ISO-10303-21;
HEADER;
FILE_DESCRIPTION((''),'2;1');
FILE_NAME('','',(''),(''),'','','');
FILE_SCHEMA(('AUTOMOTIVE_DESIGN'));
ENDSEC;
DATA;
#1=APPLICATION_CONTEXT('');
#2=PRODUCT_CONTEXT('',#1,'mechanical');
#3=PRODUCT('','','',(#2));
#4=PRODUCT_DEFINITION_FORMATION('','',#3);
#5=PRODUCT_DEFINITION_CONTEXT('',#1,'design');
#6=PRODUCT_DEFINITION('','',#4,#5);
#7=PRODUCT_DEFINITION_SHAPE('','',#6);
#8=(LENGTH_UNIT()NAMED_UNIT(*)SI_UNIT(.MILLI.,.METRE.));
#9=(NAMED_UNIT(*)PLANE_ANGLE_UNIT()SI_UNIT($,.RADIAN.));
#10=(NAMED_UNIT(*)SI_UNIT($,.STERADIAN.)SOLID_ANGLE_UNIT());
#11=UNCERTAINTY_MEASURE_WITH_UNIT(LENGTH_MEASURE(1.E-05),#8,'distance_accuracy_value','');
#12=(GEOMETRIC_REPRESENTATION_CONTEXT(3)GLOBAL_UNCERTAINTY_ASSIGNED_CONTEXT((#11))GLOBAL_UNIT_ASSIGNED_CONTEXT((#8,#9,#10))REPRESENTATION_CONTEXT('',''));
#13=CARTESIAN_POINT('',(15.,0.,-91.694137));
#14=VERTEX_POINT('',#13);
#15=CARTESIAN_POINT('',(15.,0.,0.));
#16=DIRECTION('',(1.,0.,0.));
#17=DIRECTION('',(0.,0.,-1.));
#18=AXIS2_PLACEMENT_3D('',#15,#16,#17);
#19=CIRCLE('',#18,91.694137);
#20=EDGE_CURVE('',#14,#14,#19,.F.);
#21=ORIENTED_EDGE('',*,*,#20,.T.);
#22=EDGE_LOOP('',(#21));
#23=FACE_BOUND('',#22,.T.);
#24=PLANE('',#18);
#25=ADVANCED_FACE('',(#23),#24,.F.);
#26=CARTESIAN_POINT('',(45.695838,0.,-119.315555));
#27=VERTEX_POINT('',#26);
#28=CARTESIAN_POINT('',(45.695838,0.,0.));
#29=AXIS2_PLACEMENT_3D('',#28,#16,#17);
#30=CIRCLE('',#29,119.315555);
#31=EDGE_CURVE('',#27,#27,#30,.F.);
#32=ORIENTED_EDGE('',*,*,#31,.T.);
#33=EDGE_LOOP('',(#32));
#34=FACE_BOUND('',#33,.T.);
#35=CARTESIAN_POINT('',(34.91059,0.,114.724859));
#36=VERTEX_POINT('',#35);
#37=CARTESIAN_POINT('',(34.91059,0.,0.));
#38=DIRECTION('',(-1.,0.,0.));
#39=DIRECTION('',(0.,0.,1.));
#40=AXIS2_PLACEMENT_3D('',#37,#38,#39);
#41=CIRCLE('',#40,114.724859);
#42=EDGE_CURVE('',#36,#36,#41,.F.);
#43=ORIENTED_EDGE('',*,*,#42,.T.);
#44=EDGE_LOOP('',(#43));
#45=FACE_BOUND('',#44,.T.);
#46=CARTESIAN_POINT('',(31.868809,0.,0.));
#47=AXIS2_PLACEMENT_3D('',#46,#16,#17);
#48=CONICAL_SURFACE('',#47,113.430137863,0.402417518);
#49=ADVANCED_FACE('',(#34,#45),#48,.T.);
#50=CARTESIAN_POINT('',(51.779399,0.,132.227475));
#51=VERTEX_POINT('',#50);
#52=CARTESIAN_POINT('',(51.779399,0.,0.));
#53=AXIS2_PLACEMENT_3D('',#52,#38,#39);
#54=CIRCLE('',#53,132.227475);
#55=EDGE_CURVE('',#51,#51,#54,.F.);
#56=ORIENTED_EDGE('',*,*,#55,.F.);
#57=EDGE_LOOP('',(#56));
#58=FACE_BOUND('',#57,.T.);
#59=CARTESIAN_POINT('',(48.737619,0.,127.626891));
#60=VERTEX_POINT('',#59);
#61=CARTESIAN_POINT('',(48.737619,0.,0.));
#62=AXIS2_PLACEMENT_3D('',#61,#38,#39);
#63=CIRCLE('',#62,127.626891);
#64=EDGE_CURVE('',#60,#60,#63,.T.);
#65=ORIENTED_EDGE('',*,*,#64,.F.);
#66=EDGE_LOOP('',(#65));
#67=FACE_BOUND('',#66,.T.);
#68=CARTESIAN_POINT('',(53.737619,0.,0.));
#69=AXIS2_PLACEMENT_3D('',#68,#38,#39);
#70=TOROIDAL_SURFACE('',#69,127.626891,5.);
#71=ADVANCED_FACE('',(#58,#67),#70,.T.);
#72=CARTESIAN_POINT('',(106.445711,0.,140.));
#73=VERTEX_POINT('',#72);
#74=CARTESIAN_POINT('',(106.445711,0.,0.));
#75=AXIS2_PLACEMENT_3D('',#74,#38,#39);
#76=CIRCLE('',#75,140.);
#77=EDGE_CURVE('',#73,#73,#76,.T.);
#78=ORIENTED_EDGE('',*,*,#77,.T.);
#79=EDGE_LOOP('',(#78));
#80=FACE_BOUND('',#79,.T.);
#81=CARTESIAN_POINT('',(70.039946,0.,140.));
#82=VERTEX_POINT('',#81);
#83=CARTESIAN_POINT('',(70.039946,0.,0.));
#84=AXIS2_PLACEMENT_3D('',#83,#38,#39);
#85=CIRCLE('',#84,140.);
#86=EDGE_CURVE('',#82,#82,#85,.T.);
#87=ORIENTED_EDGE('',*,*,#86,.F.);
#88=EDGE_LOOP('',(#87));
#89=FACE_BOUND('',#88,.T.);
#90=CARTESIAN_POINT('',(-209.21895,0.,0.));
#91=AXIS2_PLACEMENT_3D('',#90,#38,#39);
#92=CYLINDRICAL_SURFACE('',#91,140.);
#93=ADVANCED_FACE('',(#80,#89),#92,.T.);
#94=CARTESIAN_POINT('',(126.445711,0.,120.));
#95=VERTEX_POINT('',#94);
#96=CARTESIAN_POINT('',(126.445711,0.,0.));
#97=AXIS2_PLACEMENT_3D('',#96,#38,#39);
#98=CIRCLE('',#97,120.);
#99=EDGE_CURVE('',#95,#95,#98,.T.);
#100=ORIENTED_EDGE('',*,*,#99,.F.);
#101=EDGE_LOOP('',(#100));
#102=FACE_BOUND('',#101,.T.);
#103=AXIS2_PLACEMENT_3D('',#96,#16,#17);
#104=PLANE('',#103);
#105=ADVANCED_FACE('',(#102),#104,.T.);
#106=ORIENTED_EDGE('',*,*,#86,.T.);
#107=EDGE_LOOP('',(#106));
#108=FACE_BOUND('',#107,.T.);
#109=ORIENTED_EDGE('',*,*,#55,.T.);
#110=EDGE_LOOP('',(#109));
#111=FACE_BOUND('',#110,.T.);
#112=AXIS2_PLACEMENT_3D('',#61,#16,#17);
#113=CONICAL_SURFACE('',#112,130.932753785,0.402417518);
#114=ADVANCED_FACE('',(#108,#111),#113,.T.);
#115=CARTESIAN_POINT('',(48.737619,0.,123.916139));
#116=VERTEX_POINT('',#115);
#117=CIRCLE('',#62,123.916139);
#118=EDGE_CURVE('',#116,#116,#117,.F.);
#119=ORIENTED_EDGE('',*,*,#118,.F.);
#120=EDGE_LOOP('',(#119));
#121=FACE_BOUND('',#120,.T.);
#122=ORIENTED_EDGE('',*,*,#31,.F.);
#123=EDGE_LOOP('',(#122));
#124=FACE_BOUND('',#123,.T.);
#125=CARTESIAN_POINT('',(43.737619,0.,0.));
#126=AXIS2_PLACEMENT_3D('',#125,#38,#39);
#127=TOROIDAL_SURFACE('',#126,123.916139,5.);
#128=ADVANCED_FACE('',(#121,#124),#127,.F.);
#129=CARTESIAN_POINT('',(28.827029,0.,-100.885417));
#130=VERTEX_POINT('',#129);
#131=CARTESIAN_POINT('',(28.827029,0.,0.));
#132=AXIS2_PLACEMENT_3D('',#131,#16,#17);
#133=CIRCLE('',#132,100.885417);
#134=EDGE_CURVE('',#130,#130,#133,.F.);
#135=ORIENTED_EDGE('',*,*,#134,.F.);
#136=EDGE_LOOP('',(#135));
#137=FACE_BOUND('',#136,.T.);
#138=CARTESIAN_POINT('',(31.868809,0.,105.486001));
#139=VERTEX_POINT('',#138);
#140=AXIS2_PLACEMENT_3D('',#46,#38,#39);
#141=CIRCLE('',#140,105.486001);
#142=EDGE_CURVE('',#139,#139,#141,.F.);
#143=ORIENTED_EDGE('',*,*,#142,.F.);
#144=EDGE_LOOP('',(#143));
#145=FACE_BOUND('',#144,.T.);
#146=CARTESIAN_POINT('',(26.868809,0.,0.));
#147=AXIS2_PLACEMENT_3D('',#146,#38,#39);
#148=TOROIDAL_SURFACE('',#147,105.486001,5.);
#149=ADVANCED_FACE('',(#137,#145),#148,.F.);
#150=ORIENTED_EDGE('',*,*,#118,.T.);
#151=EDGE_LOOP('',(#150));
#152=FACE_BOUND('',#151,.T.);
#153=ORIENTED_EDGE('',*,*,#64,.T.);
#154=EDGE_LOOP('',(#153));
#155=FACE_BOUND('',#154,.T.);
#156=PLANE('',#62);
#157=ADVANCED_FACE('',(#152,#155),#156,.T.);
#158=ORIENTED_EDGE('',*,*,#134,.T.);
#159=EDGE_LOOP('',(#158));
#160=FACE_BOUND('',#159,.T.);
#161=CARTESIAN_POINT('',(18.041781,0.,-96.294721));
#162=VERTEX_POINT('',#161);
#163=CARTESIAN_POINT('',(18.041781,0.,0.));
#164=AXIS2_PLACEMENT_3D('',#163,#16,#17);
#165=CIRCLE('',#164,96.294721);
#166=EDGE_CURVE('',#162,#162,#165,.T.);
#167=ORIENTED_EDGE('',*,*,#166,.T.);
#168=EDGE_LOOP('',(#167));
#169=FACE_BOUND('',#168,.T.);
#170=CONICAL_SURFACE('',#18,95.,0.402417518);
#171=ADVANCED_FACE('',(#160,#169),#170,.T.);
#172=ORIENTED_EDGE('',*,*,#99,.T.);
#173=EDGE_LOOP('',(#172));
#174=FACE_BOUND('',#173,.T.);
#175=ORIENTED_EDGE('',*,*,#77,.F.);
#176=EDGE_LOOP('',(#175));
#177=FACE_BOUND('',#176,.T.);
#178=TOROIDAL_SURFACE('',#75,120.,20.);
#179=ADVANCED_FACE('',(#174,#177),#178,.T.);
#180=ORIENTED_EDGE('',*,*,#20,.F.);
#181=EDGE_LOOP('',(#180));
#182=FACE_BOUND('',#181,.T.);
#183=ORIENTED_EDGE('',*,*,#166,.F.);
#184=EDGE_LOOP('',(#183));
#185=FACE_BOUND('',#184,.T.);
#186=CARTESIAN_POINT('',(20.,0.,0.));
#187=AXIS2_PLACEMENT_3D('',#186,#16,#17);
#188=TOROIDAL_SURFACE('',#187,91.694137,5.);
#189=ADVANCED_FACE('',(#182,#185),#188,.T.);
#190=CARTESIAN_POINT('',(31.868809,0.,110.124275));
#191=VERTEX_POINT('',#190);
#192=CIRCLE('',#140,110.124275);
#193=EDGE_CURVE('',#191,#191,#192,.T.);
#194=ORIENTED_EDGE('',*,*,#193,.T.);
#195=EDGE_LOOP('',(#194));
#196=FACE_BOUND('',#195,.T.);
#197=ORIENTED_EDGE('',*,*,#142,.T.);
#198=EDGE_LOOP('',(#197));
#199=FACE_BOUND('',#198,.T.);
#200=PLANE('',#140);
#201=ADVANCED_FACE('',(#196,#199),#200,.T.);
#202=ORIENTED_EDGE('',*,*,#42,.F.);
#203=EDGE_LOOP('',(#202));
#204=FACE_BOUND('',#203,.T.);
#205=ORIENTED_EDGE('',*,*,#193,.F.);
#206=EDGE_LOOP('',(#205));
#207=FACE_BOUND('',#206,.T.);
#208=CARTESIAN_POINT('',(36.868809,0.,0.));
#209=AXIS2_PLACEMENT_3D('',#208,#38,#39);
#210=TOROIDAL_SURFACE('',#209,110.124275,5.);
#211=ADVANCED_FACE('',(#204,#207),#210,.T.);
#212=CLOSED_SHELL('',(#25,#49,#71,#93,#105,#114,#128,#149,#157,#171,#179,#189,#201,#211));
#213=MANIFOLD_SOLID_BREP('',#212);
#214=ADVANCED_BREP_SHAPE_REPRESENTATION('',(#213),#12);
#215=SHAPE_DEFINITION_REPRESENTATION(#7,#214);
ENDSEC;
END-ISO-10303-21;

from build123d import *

# Parameters (mm, degrees)
REDONDEO3_R = 5


with BuildPart() as part:
    # Croquis1 → Revolución1 (revolve)
    with BuildSketch(Plane(origin=(0, 0, 0), x_dir=(1, 0, 0), z_dir=(0, 1, 0))):
        with BuildLine():
            Line((106.445710743, 140), (70.03994637, 140))
            Line((70.03994637, 140), (48.737618848, 130.932753785))
            Line((48.737618848, 130.932753785), (48.737618848, 120.610275725))
            Line((48.737618848, 120.610275725), (31.868809424, 113.430137863))
            Line((31.868809424, 113.430137863), (31.868809424, 102.180137863))
            Line((31.868809424, 102.180137863), (15, 95))
            Line((15, 95), (15, 0))
            Line((15, 0), (70, 0))
            Line((70, 0), (126.445710743, 0))
            Line((126.445710743, 0), (126.445710743, 120))
            ThreePointArc((126.445710743, 120), (120.587846367, 134.142135624), (106.445710743, 140))
        make_face()
    revolve(axis=Axis((-209.218950064, 0, 0), (1, 0, 0)))

    # Redondeo3
    redondeo3_edges = [part.edges().sort_by_distance(p)[0] for p in [
        (15, 0, 95),
        (31.868809424, 0, 102.180137863),
        (31.868809424, 0, 113.430137863),
        (48.737618848, 0, 120.610275725),
        (48.737618848, 0, 130.932753785),
    ]]
    fillet(redondeo3_edges, radius=REDONDEO3_R)


solid = part.part
